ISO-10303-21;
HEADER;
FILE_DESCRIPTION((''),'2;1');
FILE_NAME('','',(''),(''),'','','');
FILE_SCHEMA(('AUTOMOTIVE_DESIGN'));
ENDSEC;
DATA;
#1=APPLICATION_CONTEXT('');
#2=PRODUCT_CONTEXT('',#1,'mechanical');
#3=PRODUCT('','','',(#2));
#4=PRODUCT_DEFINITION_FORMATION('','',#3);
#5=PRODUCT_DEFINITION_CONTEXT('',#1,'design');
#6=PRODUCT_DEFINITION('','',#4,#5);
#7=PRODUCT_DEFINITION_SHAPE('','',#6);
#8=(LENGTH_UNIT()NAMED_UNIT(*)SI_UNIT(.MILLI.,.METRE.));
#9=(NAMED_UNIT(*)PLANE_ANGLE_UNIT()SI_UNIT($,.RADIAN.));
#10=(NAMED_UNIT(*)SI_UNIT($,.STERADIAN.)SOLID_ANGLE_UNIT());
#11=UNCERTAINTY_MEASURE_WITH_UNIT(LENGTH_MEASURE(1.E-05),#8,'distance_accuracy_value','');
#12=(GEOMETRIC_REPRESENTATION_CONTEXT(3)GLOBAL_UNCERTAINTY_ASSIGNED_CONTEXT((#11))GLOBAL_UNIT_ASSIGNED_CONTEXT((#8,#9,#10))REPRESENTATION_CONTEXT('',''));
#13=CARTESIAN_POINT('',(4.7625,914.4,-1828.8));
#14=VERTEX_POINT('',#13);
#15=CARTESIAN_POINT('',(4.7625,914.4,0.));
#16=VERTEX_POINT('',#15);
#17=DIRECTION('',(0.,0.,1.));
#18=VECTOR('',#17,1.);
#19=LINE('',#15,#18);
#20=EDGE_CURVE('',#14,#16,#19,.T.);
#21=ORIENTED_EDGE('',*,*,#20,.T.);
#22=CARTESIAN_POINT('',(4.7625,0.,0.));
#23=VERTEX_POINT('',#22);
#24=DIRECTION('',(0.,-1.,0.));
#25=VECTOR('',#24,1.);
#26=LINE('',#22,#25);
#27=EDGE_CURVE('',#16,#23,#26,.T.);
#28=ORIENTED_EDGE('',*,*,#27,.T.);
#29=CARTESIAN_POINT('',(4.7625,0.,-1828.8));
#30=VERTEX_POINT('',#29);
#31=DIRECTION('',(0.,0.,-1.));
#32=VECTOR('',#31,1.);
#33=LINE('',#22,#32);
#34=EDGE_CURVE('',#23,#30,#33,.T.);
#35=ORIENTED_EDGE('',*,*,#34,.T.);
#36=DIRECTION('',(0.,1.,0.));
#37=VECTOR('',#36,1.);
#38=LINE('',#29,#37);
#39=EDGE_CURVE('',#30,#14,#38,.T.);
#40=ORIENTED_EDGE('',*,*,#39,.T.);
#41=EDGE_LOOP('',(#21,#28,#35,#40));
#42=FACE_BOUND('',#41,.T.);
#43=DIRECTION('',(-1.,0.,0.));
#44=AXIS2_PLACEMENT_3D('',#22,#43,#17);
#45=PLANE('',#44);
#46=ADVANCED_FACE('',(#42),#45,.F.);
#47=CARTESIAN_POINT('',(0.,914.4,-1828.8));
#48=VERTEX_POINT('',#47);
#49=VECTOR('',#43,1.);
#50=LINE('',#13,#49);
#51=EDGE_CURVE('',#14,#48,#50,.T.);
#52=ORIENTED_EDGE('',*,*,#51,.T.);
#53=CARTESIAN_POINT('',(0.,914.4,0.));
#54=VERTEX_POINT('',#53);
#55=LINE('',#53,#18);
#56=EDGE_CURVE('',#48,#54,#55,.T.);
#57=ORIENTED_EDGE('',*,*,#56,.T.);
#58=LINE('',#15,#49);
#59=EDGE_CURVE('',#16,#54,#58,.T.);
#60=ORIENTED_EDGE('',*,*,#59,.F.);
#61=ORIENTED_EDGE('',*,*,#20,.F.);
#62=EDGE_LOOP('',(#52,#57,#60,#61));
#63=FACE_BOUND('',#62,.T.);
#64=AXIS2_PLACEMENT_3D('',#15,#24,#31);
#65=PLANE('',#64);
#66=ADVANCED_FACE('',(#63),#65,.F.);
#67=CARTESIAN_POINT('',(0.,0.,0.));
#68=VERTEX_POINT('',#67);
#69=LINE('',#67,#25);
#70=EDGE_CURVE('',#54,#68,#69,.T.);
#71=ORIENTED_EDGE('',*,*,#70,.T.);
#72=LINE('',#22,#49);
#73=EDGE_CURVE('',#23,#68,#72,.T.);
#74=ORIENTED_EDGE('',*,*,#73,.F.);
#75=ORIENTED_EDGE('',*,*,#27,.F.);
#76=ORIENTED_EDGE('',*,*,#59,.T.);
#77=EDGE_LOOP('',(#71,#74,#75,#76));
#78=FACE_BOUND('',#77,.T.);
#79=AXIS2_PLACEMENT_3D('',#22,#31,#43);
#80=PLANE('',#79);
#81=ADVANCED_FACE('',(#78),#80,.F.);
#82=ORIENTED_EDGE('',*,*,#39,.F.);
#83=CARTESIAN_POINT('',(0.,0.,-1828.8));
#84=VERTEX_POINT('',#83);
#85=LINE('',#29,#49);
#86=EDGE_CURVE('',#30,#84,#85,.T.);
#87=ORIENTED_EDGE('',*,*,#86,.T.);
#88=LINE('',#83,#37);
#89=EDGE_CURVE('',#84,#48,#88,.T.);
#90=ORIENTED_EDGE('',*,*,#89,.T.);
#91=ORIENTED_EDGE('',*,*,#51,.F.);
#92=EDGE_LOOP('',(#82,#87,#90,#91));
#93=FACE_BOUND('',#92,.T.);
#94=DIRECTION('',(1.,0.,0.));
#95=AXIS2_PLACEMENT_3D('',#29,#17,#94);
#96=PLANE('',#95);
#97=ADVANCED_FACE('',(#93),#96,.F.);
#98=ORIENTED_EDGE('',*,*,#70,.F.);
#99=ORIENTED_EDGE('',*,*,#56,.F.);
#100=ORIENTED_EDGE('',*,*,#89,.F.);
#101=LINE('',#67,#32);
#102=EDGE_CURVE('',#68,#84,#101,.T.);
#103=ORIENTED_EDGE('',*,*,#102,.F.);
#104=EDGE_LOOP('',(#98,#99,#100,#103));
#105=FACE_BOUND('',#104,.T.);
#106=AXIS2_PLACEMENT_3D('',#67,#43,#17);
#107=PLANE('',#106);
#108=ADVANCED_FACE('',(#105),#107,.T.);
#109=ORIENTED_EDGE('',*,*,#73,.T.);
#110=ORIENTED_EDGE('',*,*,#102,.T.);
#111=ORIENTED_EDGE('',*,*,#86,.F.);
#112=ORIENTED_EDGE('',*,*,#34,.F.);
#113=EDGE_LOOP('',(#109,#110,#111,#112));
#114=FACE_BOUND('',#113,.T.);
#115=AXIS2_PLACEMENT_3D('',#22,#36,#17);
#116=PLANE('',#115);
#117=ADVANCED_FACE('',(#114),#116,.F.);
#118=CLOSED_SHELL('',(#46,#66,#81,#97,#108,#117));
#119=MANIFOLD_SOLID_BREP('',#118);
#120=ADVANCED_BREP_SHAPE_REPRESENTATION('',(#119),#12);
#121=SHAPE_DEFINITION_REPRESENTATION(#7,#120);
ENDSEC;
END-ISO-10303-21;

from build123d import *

# Parameters (mm, degrees)
SKETCH1_W           = 1828.8
SKETCH1_H           = 914.4
BOSS_EXTRUDE1_DEPTH = 4.7625


with BuildPart() as part:
    # Sketch1 → Boss-Extrude1 (new body)
    with BuildSketch(Plane(origin=(0, 0, 0), x_dir=(0, 0, -1), z_dir=(1, 0, 0))):
        with Locations((914.4, 457.2)):
            Rectangle(SKETCH1_W, SKETCH1_H)
    extrude(amount=BOSS_EXTRUDE1_DEPTH)


solid = part.part
